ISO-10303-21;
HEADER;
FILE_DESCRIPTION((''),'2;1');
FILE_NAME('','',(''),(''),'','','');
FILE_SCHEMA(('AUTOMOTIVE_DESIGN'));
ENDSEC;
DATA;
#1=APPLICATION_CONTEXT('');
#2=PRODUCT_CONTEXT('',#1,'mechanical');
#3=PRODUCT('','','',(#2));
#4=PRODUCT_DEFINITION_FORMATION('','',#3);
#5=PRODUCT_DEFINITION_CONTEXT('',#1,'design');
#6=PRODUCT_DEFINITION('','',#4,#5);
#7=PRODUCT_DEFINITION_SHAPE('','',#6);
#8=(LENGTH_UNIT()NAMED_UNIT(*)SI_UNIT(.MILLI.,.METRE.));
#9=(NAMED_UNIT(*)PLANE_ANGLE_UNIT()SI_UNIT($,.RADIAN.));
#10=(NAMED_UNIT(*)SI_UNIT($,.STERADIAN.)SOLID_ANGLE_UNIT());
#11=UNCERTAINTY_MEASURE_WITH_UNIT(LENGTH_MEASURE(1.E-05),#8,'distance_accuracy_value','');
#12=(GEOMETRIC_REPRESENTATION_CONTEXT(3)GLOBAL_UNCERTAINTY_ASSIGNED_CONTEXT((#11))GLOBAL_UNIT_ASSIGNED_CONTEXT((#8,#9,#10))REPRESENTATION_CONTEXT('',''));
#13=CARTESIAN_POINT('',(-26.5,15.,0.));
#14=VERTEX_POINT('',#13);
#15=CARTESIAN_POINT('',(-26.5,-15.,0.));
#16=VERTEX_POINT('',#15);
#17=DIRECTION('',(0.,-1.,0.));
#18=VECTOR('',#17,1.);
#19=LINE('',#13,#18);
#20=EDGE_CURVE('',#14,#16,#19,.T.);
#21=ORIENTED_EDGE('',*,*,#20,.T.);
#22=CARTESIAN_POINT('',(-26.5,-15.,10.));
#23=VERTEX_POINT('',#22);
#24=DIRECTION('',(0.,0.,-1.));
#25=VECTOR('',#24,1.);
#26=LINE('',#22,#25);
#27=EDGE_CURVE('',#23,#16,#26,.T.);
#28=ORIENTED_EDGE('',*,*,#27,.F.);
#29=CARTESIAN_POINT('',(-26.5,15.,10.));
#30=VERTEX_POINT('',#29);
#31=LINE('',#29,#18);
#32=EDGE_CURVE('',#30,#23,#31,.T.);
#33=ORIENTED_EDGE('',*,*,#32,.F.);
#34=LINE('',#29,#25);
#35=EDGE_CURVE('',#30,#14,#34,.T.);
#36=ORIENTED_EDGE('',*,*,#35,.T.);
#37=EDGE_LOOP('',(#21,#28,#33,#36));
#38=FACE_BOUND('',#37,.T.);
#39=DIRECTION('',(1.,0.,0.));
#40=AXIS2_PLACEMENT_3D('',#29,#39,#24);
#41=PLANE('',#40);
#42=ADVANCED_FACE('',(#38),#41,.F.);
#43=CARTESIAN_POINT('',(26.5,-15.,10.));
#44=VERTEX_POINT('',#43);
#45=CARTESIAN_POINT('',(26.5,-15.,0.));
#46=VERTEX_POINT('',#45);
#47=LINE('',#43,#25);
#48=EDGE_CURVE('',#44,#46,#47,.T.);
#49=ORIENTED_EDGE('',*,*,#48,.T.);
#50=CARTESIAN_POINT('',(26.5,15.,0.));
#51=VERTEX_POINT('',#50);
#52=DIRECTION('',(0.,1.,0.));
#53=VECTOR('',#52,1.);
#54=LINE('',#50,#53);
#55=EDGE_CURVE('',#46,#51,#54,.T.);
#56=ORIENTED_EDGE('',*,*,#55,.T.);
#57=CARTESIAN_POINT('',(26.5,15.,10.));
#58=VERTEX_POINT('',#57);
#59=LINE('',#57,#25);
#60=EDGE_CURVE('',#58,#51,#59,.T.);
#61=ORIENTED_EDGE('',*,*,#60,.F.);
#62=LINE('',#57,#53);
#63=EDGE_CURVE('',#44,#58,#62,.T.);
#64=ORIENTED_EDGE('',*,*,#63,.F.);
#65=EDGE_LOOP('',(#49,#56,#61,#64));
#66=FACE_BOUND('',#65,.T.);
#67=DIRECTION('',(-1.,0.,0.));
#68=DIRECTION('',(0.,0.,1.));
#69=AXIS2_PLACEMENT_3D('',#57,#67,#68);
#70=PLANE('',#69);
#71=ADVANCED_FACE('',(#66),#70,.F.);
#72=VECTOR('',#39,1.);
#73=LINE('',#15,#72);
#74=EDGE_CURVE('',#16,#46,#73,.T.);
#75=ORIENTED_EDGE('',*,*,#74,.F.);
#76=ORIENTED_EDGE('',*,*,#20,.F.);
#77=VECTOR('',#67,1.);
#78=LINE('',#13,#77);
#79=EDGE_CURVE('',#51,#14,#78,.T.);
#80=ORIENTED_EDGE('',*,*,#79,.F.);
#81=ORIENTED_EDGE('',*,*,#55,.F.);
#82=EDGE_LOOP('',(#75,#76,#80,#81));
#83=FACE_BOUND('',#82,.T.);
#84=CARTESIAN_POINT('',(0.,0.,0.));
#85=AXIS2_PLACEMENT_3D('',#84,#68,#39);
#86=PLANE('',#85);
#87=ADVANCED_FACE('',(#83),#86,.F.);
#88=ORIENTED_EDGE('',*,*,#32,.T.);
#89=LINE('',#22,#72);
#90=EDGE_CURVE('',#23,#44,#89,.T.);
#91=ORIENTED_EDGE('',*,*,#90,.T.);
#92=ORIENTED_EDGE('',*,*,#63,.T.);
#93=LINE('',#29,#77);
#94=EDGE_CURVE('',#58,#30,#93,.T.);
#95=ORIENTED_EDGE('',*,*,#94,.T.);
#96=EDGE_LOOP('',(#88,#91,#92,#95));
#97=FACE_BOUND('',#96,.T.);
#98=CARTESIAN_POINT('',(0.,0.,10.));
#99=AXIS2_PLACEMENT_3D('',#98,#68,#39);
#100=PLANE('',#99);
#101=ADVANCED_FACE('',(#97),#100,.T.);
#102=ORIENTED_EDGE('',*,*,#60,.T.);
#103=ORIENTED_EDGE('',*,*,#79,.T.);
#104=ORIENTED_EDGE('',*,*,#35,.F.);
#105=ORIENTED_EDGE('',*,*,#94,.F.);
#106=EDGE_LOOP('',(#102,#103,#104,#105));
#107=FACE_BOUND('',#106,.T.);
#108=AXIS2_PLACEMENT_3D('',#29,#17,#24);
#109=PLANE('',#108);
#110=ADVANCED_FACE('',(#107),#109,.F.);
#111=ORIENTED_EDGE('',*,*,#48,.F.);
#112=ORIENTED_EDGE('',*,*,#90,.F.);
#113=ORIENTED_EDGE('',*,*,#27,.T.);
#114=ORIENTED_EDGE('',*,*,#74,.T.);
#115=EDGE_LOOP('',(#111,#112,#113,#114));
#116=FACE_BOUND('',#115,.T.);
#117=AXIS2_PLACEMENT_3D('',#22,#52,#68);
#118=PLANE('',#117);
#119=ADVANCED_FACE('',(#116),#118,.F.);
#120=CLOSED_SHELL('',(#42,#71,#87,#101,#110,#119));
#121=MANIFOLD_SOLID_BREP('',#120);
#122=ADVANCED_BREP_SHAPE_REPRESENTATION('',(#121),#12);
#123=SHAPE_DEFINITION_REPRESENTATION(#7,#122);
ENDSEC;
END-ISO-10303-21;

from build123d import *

# Parameters (mm, degrees)
CROQUIS1_W              = 53
CROQUIS1_H              = 30
SALIENTE_EXTRUIR1_DEPTH = 10


with BuildPart() as part:
    # Croquis1 → Saliente-Extruir1 (new body)
    with BuildSketch(Plane.XY):
        Rectangle(CROQUIS1_W, CROQUIS1_H)
    extrude(amount=SALIENTE_EXTRUIR1_DEPTH)


solid = part.part
